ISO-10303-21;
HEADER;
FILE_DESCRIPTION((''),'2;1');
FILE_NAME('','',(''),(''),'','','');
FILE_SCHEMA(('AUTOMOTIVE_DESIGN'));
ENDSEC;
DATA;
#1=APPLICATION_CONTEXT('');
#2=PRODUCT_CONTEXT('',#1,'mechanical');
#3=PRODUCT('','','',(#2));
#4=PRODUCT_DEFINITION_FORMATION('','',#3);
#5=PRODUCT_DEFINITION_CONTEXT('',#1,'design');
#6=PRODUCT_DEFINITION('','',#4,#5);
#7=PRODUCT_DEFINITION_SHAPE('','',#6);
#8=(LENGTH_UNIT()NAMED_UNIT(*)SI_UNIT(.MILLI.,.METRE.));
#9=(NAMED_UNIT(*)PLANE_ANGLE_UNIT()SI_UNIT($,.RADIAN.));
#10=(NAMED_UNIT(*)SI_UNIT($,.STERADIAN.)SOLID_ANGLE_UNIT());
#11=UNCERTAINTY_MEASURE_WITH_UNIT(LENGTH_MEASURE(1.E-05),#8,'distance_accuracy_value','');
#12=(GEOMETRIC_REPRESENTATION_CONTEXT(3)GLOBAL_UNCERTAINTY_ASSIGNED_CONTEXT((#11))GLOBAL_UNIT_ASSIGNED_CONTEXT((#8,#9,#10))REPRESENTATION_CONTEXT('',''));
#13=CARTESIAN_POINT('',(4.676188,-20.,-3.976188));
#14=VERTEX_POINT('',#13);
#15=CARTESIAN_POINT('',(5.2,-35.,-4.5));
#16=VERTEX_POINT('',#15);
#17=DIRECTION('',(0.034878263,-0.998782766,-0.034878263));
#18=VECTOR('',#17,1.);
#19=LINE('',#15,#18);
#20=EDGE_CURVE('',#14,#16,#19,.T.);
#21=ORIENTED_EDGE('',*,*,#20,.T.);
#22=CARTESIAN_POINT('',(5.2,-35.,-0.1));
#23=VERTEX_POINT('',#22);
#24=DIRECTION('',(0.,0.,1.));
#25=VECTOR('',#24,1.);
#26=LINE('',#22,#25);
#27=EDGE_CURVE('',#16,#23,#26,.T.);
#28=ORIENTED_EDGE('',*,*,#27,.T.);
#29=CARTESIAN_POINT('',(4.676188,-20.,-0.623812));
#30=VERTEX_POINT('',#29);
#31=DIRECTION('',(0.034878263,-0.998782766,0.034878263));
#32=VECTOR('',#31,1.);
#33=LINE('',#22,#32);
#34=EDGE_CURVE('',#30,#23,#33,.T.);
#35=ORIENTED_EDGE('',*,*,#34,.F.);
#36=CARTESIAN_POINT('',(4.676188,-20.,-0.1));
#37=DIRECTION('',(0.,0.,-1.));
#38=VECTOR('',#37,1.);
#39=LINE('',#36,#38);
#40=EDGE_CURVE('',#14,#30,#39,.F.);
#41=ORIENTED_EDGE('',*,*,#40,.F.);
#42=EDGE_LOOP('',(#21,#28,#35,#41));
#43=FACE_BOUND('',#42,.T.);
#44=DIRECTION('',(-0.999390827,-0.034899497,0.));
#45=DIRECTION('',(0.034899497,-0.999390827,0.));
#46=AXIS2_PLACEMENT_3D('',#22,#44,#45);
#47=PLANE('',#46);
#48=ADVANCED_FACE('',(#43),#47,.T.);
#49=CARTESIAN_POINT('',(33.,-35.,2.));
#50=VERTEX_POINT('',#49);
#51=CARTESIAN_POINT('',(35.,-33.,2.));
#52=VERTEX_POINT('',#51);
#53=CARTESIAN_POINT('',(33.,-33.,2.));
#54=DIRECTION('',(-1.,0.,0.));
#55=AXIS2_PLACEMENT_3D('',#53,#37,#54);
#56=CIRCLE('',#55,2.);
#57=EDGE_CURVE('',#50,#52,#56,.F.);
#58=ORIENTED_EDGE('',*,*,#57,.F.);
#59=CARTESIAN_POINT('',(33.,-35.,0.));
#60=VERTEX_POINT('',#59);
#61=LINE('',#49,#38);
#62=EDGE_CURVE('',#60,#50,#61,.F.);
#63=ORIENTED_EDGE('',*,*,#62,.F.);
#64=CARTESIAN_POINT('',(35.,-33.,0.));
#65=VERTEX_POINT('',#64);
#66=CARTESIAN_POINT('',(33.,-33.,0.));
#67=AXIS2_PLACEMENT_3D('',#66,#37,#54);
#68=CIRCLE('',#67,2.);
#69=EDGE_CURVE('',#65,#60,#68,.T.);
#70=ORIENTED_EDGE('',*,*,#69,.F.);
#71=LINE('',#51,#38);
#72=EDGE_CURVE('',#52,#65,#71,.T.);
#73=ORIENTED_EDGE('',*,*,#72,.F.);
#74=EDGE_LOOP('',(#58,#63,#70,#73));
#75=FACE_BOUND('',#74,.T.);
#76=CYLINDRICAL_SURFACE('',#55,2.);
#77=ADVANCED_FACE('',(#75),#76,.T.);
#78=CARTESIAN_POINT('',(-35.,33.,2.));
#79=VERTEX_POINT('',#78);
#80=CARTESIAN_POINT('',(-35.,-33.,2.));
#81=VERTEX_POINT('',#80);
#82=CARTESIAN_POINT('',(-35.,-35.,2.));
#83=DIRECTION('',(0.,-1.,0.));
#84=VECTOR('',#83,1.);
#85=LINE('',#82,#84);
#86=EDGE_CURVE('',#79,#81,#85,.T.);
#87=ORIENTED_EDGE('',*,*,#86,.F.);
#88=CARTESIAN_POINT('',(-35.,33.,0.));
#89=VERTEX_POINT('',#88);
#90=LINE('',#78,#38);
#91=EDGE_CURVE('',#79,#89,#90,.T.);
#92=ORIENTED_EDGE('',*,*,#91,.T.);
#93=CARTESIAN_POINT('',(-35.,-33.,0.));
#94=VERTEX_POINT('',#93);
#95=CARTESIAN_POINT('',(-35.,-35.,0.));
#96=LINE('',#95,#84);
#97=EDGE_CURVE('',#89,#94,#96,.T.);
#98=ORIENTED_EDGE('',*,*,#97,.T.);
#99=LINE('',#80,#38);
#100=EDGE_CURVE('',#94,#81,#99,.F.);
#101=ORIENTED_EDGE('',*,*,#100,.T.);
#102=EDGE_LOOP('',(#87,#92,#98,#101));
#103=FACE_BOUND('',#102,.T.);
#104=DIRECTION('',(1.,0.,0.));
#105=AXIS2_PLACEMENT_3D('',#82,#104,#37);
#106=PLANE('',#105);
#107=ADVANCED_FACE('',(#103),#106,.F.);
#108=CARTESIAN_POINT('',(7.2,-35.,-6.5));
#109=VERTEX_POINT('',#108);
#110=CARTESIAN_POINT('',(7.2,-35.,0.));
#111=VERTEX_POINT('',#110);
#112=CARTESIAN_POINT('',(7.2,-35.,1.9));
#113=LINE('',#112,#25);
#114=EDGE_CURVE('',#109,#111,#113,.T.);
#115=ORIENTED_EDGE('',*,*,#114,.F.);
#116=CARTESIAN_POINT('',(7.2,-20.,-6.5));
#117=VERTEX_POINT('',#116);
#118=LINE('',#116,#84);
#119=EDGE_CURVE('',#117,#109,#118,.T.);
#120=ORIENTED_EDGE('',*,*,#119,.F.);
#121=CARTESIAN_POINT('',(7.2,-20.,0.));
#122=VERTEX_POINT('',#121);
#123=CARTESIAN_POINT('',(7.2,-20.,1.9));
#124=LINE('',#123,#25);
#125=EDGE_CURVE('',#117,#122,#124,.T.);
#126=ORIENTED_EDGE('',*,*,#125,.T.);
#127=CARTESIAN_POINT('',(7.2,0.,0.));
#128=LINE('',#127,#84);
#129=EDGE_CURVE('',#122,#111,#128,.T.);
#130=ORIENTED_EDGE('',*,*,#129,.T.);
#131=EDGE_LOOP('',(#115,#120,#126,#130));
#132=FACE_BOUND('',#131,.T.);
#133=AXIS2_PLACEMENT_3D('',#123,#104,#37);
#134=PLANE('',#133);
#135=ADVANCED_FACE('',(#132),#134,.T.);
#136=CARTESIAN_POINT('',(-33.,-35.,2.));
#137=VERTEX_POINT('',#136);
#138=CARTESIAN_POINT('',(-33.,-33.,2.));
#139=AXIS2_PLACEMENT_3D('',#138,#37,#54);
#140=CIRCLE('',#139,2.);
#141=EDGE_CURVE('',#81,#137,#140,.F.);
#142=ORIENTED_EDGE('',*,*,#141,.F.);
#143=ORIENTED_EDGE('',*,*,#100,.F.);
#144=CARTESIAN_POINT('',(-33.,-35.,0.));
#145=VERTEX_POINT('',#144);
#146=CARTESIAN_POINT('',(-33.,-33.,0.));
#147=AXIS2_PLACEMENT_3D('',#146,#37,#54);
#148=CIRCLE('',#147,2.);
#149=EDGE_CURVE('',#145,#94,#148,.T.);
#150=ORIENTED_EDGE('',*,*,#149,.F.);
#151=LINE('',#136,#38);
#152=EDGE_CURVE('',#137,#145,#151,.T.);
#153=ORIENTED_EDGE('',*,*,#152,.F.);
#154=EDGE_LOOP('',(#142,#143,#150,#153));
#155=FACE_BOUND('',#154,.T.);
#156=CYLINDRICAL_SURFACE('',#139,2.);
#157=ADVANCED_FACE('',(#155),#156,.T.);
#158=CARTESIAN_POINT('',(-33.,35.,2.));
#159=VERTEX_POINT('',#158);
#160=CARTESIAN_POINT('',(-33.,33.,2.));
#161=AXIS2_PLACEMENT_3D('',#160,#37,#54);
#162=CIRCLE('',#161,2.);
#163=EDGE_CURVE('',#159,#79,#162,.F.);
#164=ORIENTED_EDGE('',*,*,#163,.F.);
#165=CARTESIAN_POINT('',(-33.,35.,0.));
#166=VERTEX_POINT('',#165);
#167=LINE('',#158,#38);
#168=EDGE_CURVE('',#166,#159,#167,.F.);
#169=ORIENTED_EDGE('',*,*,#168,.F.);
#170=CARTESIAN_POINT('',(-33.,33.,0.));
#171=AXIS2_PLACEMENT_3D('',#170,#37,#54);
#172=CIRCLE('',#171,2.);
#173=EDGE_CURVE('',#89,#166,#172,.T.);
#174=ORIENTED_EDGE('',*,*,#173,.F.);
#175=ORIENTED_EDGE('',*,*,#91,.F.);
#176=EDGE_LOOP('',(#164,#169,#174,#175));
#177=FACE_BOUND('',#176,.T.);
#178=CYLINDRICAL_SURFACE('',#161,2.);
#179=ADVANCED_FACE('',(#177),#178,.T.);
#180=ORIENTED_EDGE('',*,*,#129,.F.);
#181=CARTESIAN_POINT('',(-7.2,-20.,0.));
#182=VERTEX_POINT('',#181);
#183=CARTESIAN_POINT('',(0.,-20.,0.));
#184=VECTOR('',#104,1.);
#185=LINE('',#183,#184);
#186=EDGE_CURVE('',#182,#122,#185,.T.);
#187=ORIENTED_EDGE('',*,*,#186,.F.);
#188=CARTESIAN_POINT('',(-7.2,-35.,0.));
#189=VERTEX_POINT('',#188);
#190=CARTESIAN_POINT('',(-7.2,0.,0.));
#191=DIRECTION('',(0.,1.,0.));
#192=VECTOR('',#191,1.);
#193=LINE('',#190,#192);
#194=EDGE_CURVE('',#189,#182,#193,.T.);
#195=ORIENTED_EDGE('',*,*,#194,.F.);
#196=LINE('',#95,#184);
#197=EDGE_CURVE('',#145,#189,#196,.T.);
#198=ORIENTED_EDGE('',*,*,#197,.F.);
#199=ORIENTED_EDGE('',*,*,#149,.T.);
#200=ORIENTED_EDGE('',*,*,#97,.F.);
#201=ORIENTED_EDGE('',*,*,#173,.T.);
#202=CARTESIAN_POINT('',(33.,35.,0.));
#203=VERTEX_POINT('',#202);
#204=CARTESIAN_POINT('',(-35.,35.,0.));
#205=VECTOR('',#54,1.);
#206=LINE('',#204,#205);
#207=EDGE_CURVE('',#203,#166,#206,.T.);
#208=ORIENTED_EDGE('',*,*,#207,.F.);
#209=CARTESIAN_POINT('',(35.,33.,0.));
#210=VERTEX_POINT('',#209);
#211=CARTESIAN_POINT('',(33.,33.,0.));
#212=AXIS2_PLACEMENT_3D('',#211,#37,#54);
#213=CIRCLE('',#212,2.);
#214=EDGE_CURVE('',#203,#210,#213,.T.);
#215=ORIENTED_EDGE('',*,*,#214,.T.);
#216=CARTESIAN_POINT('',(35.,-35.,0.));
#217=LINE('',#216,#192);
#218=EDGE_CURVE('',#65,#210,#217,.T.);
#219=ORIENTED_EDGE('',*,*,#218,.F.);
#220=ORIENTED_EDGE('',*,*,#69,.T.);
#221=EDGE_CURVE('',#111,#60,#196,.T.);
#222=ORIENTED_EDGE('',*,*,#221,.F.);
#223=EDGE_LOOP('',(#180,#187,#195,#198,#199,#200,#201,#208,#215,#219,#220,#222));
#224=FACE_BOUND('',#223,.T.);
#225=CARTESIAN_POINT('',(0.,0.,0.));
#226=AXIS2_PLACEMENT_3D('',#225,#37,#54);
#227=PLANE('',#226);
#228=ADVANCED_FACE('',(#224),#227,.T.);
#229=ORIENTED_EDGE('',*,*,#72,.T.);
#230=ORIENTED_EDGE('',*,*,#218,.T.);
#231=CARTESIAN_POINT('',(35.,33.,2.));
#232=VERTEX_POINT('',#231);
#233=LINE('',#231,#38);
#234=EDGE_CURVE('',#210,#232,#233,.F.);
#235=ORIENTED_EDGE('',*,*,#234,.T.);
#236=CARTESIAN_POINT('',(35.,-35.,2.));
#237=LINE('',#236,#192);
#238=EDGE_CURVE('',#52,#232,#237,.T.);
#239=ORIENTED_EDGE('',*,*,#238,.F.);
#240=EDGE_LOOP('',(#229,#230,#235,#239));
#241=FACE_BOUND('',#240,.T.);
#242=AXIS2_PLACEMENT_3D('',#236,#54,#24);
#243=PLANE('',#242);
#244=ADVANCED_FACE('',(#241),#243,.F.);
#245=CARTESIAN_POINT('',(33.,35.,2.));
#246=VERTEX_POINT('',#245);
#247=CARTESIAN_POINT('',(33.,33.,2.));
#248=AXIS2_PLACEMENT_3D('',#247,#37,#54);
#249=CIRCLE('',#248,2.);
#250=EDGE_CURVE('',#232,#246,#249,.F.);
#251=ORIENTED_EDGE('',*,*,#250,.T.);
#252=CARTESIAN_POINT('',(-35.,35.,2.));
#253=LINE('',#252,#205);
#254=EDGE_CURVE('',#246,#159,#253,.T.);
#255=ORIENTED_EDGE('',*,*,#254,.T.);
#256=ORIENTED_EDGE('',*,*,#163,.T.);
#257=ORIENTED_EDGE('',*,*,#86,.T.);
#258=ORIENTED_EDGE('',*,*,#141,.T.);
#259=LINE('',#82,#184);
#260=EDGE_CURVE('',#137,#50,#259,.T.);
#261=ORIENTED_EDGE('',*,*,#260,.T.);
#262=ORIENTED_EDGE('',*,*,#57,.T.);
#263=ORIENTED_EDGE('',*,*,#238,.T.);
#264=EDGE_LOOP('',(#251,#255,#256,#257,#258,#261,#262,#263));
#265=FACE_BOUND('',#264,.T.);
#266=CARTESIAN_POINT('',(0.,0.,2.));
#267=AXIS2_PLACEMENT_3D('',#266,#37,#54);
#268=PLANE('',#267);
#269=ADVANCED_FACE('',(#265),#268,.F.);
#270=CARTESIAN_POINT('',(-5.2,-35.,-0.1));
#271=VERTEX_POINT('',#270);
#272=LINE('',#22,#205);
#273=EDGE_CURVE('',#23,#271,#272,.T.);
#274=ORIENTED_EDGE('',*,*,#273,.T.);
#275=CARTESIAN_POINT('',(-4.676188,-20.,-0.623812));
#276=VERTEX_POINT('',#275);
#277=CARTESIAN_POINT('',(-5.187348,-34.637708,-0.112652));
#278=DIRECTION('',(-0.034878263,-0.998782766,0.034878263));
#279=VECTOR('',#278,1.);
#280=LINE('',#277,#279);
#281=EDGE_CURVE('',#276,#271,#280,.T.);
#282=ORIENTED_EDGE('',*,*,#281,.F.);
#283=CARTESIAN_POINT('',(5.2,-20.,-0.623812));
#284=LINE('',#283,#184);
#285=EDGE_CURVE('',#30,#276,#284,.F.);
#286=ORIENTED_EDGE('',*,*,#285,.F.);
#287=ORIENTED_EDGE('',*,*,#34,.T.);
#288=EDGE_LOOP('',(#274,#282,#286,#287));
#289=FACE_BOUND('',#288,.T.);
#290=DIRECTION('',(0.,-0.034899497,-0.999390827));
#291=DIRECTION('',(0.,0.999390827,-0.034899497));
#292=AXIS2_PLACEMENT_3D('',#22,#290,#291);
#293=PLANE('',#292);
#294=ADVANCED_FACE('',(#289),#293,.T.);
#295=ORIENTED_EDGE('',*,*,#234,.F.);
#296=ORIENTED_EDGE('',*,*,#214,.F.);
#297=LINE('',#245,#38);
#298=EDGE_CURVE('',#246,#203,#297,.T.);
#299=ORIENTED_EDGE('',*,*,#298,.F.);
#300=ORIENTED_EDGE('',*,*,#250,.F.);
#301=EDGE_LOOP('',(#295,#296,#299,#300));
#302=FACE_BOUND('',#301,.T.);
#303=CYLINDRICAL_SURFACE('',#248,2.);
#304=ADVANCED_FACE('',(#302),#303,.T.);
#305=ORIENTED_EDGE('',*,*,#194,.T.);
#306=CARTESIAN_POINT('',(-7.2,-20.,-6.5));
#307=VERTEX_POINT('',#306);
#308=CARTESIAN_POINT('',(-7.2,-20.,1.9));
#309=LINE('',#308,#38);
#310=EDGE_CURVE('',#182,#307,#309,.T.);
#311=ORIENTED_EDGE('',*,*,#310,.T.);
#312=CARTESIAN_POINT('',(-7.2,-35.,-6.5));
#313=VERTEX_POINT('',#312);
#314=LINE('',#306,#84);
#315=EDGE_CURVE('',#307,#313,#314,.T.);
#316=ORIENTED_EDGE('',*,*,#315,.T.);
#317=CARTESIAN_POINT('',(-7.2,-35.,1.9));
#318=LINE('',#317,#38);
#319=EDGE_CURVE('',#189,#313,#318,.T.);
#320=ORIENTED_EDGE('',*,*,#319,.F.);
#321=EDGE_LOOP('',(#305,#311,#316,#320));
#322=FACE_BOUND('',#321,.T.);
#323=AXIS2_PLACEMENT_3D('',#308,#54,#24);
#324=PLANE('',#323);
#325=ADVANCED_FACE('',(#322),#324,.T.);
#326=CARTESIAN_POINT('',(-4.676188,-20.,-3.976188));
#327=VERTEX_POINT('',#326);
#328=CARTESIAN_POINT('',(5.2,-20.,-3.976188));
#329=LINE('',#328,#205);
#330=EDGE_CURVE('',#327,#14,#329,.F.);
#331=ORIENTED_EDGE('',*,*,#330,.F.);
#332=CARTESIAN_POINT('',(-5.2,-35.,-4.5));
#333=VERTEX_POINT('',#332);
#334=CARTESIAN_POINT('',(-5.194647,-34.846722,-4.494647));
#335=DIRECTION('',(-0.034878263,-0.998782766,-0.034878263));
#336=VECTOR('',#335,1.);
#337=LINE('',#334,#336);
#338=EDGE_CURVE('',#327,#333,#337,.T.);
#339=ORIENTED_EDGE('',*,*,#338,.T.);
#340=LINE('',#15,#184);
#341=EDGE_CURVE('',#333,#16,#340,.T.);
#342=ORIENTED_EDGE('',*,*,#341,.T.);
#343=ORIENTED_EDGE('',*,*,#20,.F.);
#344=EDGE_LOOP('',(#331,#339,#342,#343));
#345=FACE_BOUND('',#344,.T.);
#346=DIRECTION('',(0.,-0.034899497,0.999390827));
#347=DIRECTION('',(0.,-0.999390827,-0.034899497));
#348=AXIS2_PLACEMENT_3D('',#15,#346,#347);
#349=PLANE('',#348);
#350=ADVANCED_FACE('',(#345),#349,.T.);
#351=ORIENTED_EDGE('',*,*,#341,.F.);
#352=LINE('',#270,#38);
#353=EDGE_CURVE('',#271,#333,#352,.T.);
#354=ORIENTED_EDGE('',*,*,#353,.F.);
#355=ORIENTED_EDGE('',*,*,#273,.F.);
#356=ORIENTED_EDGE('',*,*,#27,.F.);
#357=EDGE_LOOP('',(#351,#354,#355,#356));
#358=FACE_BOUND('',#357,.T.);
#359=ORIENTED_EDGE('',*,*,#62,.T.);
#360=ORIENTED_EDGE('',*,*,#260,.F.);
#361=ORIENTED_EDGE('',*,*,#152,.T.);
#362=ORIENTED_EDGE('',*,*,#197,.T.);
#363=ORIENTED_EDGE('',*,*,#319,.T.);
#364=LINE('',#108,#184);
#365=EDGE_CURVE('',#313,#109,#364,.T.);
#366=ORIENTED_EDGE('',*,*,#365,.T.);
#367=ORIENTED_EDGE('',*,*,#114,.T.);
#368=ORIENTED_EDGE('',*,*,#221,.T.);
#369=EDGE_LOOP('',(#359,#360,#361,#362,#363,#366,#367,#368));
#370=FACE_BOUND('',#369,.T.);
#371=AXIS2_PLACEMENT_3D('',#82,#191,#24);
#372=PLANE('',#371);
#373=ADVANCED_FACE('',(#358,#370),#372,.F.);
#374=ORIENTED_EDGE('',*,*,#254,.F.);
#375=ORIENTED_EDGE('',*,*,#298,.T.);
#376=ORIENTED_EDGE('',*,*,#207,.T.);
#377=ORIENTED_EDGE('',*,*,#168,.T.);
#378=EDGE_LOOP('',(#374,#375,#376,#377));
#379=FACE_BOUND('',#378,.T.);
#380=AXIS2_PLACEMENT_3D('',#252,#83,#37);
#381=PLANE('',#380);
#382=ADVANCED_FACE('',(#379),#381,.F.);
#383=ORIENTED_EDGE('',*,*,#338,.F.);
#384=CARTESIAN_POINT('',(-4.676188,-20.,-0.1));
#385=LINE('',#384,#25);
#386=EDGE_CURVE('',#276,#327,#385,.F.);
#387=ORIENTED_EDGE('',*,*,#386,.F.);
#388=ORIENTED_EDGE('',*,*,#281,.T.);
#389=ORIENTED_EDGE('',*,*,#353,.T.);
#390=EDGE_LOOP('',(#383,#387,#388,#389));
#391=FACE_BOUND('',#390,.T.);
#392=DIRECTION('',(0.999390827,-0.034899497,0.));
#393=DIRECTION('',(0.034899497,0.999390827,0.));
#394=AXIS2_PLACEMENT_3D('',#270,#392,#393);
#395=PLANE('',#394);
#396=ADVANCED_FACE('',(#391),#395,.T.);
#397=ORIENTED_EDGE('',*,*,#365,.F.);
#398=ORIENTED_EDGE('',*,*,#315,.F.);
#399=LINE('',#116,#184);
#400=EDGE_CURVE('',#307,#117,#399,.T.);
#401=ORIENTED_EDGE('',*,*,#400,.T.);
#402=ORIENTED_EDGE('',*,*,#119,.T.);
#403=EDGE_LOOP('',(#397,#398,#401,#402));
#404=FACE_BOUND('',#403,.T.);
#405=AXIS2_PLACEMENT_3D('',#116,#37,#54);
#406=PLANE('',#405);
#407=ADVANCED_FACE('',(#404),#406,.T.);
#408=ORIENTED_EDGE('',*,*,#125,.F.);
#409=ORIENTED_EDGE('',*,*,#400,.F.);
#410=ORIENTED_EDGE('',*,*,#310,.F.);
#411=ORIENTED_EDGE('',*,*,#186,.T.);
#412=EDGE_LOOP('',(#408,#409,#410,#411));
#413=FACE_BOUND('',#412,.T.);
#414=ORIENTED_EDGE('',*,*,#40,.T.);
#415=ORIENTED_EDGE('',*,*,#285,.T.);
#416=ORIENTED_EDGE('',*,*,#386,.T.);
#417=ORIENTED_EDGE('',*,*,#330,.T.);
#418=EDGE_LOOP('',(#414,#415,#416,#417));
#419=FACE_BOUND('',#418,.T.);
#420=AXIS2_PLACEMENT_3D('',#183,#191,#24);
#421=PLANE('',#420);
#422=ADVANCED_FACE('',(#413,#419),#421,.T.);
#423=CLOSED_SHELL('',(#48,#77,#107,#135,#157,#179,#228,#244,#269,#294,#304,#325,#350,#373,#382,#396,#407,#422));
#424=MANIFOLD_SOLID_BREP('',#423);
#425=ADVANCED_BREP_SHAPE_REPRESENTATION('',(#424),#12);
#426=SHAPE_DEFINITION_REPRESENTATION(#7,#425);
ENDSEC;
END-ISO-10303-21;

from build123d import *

# Parameters (mm, degrees)
ESQUISSE1_W        = 70
ESQUISSE1_H        = 70
BOSS_EXTRU_1_DEPTH = 2
ESQUISSE3_W        = 14.4
ESQUISSE3_H        = 8.4
ESQUISSE3_W_2      = 10.4
ESQUISSE3_H_2      = 4.4
BOSS_EXTRU_3_DEPTH = 15
D_POUILLE3_ANGLE   = 2
CONG_1_R           = 2


with BuildPart() as part:
    # Esquisse1 → Boss.-Extru.1 (new body)
    with BuildSketch(Plane.XY):
        Rectangle(ESQUISSE1_W, ESQUISSE1_H)
    extrude(amount=BOSS_EXTRU_1_DEPTH)

    # Esquisse3 → Boss.-Extru.3 (add)
    with BuildSketch(Plane.XZ.offset(35)):
        with Locations((0, -2.3)):
            Rectangle(ESQUISSE3_W, ESQUISSE3_H)
        with Locations((0, -2.3)):
            Rectangle(ESQUISSE3_W_2, ESQUISSE3_H_2, mode=Mode.SUBTRACT)
    extrude(amount=-BOSS_EXTRU_3_DEPTH)

    # Dépouille3
    d_pouille3_faces = [part.faces().sort_by_distance(p)[0] for p in [
        (0, -27.5, -0.1),
        (-5.2, -27.5, -2.3),
        (0, -27.5, -4.5),
        (5.2, -27.5, -2.3),
    ]]
    draft(d_pouille3_faces, Plane(origin=(-35, -35, 2), x_dir=(0, 0, -1), z_dir=(0, -1, 0)), D_POUILLE3_ANGLE)

    # Congé1
    cong_1_edges = [part.edges().sort_by_distance(p)[0] for p in [
        (35, -35, 1),
        (-35, -35, 1),
        (-35, 35, 1),
        (35, 35, 1),
    ]]
    fillet(cong_1_edges, radius=CONG_1_R)


solid = part.part
